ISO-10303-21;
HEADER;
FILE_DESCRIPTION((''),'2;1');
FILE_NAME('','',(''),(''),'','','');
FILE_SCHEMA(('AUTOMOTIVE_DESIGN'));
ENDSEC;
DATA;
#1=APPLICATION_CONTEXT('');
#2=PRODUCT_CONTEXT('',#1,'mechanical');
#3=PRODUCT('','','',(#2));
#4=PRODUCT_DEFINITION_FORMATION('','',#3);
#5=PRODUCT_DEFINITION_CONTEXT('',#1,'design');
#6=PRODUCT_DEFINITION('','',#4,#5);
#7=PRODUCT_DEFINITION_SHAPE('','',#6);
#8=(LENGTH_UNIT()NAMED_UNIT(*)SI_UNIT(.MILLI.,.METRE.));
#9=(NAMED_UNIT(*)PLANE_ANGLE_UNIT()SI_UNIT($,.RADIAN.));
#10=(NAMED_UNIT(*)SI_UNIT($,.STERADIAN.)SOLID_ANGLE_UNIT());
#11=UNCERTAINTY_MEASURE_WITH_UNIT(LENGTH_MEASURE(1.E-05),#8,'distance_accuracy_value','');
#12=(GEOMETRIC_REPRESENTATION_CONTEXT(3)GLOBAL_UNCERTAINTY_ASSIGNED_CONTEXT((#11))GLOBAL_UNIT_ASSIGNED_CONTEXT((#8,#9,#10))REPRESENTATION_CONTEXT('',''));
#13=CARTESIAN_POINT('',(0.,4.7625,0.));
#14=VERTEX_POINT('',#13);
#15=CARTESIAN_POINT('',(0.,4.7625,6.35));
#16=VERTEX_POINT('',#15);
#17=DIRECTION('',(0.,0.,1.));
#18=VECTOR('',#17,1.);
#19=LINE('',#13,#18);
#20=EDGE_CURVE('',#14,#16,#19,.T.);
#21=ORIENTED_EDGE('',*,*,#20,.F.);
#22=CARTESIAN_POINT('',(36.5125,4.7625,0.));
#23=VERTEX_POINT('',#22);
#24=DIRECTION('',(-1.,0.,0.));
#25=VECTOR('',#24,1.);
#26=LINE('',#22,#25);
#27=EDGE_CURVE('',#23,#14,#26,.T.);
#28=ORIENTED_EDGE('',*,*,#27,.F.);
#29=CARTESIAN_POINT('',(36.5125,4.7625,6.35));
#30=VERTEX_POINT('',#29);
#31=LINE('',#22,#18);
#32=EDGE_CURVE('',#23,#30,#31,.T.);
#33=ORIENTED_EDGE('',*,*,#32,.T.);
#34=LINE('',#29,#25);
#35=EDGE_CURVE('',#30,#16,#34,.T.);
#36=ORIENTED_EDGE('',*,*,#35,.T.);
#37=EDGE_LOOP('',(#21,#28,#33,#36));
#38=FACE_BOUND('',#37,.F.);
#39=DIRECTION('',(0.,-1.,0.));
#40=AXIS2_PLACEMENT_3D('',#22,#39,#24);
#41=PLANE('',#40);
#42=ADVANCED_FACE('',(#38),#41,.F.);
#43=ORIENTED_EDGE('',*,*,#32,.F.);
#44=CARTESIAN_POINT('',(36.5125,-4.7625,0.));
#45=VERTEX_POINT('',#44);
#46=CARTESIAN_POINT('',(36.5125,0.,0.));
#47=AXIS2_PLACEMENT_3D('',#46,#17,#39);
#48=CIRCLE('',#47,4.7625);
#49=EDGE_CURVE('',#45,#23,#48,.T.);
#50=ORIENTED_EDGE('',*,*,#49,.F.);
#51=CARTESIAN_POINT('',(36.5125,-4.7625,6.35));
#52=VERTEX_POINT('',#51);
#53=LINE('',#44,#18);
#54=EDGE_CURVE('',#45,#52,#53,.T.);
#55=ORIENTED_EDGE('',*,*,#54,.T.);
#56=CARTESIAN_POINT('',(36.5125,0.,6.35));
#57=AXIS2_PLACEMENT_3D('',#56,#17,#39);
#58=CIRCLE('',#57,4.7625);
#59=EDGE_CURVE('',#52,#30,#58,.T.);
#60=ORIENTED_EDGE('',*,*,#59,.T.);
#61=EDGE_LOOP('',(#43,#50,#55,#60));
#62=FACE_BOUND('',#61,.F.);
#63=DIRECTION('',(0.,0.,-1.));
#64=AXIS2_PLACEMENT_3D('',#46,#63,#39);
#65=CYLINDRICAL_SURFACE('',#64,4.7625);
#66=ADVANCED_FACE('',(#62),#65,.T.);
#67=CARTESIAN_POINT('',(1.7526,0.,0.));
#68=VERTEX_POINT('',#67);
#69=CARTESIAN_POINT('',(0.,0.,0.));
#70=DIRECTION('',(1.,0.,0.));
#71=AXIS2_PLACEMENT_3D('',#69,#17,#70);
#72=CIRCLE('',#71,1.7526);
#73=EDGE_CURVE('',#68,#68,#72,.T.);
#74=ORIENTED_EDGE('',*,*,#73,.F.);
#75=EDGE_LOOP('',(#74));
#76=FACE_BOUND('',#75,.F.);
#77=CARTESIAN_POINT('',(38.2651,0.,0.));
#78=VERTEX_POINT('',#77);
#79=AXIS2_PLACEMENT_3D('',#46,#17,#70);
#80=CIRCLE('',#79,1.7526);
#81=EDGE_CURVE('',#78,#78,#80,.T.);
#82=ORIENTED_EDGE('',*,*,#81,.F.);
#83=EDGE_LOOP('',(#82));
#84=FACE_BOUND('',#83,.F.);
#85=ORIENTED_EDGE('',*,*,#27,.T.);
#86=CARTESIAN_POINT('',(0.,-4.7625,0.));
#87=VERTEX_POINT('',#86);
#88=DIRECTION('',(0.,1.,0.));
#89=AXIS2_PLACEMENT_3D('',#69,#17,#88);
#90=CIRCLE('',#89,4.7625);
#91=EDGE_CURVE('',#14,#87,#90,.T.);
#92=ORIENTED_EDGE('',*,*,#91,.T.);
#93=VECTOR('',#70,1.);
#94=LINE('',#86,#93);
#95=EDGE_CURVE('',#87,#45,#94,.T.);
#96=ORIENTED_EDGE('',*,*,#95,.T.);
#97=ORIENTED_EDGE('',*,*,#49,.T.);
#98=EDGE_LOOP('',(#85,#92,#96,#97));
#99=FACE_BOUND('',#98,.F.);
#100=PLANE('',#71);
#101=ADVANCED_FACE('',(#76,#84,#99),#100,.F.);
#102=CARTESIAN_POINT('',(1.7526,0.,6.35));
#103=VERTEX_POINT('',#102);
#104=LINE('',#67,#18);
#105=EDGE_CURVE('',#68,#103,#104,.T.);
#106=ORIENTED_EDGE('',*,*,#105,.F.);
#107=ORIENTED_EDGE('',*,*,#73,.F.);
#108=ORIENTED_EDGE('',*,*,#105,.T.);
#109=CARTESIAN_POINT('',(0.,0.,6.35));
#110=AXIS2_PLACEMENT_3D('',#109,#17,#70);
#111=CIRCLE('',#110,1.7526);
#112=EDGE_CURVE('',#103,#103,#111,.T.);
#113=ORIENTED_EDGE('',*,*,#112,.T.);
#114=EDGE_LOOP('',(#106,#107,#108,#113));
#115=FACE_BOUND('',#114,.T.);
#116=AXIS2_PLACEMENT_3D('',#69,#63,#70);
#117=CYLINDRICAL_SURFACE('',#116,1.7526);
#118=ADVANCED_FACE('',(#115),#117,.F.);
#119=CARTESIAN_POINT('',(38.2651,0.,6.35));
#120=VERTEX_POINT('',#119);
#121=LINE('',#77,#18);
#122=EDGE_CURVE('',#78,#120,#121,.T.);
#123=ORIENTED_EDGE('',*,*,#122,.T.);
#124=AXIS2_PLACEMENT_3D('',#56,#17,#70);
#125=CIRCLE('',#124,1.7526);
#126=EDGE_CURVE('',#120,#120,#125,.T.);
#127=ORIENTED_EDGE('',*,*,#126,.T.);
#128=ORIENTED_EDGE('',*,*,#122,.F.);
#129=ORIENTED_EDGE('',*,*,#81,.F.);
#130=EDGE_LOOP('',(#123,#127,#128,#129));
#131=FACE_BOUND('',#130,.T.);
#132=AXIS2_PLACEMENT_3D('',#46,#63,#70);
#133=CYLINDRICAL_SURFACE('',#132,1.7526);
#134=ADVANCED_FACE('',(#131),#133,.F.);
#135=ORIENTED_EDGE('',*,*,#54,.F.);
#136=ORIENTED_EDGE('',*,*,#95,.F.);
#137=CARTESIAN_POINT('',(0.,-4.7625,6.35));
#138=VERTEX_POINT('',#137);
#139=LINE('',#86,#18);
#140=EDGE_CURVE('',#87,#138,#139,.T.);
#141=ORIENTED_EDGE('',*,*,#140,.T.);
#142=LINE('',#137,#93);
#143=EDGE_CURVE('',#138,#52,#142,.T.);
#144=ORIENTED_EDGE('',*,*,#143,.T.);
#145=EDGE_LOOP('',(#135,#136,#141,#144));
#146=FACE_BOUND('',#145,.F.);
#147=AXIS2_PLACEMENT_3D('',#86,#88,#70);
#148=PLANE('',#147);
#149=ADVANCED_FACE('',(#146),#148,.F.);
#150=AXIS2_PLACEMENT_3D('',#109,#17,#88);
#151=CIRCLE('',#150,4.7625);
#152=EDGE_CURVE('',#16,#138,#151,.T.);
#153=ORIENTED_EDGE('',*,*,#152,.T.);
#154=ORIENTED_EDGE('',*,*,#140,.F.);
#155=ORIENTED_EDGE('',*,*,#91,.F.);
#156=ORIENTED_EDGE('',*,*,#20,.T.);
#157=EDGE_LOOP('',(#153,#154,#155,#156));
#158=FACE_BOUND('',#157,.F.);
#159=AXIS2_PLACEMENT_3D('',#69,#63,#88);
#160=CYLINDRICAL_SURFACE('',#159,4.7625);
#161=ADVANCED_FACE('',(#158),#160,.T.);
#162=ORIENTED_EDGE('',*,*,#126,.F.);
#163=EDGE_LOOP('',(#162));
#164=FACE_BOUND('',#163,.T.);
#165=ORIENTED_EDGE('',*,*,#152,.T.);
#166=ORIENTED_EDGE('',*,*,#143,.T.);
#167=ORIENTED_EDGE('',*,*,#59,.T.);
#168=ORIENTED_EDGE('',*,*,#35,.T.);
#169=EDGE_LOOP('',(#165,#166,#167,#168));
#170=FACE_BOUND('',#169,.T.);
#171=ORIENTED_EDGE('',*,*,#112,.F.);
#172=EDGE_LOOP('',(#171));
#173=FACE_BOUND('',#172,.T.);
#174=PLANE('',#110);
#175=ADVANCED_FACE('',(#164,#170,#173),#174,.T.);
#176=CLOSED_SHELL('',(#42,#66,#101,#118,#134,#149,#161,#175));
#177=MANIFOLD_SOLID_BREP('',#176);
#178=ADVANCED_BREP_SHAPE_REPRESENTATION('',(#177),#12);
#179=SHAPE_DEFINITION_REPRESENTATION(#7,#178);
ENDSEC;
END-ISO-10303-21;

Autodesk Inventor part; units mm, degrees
ref_plane "YZ Plane" through (0, 0, 0) normal (1, 0, 0) x (0, 1, 0)
ref_plane "XZ Plane" through (0, 0, 0) normal (0, 1, 0) x (-1, 0, 0)
ref_plane "XY Plane" through (0, 0, 0) normal (0, 0, 1) x (1, 0, 0)
sketch "Sketch1" plane through (0, 0, 0) normal (0, 0, 1) x (1, 0, 0)
  line L0 (0, 0) -> (36.5125, 0) construction
  line L1 (0, -4.7625) -> (36.5125, -4.7625)
  line L2 (36.5125, 4.7625) -> (0, 4.7625)
  arc A0 (0, 4.7625) -> (0, -4.7625) centre (0, 0) ccw
  arc A1 (36.5125, -4.7625) -> (36.5125, 4.7625) centre (36.5125, 0) ccw
  circle A2 centre (0, 0) radius 1.7526
  circle A3 centre (36.5125, 0) radius 1.7526
  point P0 (18.2563, 0)
  dimension "d0" = 36.5125
  dimension "d1" = 9.525
  dimension "d2" = 3.5052
  dimension "d3" = 3.5052
extrude "Extrusion1" add sketch "Sketch1" along normal blind 6.35
equation "\"d0\" = Rail_Offset"
equation "\"d3\" = d2"
equation "\"Rail_Offset\" = 36.5125"
properties part number "Sliders" material "UHMW, White"
